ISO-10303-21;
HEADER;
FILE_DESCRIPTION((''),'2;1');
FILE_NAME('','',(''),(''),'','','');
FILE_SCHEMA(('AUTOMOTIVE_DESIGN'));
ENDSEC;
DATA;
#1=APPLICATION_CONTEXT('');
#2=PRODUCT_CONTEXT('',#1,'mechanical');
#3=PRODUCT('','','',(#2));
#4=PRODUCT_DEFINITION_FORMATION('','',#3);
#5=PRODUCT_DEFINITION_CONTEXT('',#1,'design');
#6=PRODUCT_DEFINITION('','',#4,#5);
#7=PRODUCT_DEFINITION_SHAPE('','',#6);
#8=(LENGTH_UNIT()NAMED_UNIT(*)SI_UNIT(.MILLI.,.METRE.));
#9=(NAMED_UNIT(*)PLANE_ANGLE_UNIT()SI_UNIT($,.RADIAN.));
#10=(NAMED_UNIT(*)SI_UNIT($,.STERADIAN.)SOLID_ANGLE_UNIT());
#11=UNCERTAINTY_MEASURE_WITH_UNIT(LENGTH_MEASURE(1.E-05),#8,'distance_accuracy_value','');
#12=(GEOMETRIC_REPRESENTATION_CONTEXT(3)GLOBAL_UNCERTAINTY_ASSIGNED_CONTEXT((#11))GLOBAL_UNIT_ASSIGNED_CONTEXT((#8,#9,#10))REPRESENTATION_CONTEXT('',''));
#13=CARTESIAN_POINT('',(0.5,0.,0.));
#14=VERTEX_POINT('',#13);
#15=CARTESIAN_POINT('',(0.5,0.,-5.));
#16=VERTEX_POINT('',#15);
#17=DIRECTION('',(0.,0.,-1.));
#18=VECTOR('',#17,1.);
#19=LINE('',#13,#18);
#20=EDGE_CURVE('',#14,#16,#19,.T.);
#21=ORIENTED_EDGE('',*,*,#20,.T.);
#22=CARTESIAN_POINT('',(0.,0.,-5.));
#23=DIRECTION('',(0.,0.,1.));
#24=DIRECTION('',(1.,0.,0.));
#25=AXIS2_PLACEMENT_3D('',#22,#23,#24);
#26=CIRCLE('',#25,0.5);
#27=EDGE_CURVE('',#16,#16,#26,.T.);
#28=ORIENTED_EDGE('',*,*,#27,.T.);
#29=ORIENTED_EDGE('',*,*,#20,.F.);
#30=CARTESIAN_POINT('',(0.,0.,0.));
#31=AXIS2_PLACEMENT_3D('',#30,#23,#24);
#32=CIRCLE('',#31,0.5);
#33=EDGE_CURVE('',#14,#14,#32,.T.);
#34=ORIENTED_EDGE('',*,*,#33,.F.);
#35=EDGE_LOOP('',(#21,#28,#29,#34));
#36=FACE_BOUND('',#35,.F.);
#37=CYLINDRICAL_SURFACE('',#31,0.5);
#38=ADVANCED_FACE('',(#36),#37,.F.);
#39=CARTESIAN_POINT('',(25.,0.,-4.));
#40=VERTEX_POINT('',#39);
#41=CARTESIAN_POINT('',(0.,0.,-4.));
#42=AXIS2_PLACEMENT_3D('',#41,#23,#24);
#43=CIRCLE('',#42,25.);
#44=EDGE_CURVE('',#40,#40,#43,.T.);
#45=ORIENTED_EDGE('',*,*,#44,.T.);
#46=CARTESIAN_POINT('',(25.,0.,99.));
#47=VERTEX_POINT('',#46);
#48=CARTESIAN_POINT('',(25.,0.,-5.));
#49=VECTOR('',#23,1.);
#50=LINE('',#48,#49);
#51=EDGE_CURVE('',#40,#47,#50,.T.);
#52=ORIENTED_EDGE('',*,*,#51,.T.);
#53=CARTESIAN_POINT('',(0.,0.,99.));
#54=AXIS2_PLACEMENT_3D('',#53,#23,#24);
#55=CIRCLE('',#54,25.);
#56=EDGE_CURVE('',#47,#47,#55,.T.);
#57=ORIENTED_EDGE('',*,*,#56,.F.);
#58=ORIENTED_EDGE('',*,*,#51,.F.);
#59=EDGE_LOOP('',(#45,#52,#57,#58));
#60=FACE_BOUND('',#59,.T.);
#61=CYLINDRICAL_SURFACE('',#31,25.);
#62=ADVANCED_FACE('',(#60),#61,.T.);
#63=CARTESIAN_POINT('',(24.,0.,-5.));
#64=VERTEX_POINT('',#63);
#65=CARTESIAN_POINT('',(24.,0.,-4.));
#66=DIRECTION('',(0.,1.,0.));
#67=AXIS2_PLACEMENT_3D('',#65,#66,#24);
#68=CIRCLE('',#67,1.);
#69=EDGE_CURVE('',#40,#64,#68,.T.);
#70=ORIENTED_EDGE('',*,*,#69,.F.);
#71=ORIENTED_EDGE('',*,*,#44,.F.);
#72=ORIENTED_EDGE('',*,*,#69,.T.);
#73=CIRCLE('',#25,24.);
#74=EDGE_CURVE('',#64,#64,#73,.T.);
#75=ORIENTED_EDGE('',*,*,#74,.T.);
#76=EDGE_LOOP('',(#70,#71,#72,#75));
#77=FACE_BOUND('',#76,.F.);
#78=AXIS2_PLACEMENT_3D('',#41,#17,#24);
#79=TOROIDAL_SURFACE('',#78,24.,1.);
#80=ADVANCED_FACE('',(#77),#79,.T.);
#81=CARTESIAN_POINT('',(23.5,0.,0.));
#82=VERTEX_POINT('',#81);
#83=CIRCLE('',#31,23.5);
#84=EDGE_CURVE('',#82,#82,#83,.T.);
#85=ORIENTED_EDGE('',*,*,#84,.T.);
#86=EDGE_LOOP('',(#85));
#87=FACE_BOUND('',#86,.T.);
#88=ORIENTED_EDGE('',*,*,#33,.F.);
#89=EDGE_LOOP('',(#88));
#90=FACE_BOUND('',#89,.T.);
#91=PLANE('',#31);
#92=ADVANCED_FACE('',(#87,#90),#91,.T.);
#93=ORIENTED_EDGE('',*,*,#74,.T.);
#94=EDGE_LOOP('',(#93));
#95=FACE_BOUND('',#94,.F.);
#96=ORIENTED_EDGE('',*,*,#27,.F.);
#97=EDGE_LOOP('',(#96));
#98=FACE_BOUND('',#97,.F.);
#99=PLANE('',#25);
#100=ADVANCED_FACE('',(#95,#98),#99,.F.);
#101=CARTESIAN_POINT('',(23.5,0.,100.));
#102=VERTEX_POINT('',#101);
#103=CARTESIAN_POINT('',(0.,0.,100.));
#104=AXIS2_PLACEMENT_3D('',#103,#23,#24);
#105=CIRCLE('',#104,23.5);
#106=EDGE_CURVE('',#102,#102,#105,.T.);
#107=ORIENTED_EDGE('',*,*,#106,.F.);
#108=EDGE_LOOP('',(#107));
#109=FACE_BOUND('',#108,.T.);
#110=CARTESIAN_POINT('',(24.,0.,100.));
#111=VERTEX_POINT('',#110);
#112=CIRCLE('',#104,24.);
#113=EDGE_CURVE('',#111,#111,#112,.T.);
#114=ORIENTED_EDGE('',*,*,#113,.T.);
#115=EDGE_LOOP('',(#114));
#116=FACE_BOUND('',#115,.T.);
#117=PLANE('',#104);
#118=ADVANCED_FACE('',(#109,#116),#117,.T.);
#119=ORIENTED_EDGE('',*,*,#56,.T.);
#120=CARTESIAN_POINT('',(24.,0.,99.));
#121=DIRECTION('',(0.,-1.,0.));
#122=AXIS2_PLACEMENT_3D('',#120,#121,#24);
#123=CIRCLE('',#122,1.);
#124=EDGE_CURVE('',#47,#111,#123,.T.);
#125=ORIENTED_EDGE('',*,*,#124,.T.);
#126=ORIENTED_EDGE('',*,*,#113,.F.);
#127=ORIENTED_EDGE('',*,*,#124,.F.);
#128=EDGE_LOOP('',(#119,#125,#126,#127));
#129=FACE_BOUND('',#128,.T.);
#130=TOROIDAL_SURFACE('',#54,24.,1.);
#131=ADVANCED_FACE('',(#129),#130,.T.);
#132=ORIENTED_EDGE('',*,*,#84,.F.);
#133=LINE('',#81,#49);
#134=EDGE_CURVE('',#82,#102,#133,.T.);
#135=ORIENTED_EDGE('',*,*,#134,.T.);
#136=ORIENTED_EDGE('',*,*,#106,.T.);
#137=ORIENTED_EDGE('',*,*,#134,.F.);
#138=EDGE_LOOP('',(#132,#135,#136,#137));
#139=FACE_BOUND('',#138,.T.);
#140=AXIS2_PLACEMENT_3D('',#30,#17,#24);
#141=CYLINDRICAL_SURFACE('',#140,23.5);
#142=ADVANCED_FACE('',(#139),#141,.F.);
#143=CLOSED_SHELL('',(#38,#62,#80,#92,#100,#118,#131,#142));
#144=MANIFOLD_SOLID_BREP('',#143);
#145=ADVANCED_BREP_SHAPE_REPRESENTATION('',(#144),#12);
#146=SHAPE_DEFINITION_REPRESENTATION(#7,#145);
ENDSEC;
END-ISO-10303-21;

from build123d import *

# Parameters (mm, degrees)
F0_R     = 25
F0_R_2   = 23.5
F1_DEPTH = 100
F2_R     = 25
F3_DEPTH = 5
F4_R     = 1
F5_R     = 0.5
F6_DEPTH = 25


with BuildPart() as f1:
    # F0 (on Top) → F1 (new body)
    with BuildSketch(Plane.XY):
        Circle(F0_R)
        Circle(F0_R_2, mode=Mode.SUBTRACT)
    extrude(amount=F1_DEPTH)

    # F2 (on Top) → F3 (join)
    with BuildSketch(Plane.XY):
        Circle(F2_R)
    extrude(amount=-F3_DEPTH)

    # F4
    f4_edges = [f1.edges().sort_by_distance(p)[0] for p in [
        (-25, 0, -5),
        (-25, 0, 100),
    ]]
    fillet(f4_edges, radius=F4_R)

    # F5 (on Top) → F6 (cut)
    with BuildSketch(Plane.XY):
        Circle(F5_R)
    extrude(amount=-F6_DEPTH, mode=Mode.SUBTRACT)


solid = f1.part
